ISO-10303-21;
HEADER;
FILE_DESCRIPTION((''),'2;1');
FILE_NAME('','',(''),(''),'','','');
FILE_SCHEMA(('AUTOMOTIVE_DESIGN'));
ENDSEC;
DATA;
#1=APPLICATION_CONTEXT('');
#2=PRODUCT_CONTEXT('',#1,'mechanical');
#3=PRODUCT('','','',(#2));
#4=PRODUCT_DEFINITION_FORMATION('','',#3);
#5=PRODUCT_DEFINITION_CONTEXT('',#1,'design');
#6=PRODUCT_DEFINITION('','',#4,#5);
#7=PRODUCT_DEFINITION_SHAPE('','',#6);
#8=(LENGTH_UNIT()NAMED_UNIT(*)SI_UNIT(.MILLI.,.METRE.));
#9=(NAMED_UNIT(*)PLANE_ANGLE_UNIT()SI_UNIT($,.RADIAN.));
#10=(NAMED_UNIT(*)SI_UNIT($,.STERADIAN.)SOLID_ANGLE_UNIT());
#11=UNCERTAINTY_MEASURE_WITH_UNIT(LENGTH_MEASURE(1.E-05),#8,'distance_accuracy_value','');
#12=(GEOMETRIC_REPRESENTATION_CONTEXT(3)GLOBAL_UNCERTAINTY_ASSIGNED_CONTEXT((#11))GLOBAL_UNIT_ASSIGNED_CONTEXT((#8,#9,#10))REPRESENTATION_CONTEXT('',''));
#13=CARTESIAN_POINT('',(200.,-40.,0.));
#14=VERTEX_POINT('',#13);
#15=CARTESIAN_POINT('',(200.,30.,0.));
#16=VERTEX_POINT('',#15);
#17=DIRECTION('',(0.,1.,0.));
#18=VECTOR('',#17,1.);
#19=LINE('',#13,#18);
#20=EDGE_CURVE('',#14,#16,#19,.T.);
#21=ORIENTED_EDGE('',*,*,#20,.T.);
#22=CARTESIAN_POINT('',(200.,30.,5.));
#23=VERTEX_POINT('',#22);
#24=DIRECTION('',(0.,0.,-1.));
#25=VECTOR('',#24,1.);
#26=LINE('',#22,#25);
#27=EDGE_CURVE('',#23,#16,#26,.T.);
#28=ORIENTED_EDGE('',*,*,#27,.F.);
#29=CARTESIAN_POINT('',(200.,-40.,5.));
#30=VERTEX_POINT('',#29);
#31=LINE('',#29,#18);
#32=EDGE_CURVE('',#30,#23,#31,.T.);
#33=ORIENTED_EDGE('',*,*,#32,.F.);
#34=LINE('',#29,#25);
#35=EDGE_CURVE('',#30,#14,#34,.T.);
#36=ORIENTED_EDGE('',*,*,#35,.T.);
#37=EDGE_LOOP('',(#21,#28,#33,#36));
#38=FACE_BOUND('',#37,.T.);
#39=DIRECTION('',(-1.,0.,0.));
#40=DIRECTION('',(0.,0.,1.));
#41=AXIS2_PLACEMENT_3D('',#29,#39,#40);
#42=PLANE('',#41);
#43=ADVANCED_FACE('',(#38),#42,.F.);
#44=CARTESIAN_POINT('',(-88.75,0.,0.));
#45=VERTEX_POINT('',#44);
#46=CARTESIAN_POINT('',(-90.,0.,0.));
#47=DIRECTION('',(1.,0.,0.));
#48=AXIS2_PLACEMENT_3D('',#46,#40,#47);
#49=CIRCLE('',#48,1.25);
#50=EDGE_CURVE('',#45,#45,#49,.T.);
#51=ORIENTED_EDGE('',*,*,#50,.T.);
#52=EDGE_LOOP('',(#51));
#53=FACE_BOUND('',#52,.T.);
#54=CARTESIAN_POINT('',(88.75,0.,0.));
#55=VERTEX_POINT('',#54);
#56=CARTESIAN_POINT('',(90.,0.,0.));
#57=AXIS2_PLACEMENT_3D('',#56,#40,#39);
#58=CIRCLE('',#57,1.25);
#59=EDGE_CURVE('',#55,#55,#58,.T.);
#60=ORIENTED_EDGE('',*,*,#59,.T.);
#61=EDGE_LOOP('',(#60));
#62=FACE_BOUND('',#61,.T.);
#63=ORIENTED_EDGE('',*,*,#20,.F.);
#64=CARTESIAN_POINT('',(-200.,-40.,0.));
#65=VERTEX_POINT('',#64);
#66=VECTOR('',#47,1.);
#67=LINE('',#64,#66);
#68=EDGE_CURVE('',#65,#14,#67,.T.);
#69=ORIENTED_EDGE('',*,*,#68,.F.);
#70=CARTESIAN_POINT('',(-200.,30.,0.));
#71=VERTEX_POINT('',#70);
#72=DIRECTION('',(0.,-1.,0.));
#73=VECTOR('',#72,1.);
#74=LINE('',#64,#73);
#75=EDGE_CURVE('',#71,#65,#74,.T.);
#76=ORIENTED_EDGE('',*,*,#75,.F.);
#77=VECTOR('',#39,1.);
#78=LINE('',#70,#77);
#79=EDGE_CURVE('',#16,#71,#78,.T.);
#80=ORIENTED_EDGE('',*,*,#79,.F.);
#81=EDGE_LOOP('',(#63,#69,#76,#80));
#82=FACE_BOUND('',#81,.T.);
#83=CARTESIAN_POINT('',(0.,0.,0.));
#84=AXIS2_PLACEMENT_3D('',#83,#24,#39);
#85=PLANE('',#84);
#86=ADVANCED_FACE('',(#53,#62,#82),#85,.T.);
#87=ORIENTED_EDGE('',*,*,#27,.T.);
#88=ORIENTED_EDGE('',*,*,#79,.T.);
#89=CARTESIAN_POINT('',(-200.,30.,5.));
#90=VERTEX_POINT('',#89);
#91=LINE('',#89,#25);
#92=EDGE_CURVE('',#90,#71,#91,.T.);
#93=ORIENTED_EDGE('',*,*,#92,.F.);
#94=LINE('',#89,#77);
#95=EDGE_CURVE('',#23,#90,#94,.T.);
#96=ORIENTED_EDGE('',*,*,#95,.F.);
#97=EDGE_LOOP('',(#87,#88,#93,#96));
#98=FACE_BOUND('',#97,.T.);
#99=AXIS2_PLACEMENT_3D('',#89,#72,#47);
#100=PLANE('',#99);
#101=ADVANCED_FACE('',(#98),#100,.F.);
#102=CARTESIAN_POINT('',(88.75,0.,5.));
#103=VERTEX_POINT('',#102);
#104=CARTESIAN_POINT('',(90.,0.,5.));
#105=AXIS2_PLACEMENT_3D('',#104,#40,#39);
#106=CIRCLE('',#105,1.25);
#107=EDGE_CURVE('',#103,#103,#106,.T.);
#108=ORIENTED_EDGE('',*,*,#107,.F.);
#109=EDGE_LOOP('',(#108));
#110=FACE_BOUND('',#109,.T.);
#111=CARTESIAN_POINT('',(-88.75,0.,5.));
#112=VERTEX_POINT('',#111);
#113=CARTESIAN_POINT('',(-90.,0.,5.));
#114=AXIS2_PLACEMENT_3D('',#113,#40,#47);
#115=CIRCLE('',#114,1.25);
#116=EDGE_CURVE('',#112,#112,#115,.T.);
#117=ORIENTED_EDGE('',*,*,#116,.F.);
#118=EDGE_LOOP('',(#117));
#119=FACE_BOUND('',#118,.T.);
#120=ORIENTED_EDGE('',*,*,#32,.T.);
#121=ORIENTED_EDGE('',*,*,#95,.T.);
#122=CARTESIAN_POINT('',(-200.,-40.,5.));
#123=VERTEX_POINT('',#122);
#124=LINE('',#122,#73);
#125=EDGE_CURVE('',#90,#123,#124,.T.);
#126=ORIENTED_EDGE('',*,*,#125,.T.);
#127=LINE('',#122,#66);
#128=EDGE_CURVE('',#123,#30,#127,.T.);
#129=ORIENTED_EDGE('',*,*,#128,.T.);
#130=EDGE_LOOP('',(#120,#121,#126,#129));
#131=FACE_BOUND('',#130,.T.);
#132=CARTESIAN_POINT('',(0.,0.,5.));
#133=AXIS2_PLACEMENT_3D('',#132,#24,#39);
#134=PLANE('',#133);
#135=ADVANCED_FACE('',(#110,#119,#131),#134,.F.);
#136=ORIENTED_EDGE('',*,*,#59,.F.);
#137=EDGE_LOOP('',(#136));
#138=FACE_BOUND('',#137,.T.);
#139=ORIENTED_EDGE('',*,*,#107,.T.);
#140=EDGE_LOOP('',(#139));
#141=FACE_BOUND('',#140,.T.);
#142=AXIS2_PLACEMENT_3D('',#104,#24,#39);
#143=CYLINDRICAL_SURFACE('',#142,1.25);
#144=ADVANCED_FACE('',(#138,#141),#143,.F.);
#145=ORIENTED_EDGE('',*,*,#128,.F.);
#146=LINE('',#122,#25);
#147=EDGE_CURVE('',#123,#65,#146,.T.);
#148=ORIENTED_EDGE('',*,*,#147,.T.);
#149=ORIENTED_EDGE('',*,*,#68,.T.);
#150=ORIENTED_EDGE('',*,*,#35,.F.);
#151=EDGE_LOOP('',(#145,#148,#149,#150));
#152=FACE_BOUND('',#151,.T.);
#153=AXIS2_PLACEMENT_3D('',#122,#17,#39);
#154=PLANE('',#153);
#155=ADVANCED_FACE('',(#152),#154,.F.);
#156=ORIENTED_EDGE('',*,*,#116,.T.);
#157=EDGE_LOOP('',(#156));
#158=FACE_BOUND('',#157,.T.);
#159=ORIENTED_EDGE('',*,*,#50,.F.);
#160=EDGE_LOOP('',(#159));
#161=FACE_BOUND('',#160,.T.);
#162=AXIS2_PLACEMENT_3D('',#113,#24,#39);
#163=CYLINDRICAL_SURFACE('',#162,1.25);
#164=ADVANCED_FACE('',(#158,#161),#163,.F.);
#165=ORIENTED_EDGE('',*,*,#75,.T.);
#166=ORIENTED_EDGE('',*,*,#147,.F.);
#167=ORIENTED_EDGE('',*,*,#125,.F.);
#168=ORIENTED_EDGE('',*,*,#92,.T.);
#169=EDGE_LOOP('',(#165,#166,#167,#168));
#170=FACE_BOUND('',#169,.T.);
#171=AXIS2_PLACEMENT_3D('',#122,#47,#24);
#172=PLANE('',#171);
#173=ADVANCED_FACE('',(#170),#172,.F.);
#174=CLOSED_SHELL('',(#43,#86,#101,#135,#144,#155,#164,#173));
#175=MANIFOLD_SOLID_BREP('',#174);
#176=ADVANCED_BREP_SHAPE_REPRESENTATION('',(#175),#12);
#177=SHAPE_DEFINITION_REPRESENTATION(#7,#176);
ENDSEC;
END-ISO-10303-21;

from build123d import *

# Parameters (mm, degrees)
SKETCH1_W           = 400
SKETCH1_H           = 70
SKETCH1_R           = 1.25
BOSS_EXTRUDE1_DEPTH = 5


with BuildPart() as part:
    # Sketch1 → Boss-Extrude1 (new body)
    with BuildSketch(Plane.XY):
        with Locations((0, -5)):
            Rectangle(SKETCH1_W, SKETCH1_H)
        with Locations((-90, 0)):
            Circle(SKETCH1_R, mode=Mode.SUBTRACT)
        with Locations(Location((90, 0, 0), (0, 0, 180))):
            Circle(SKETCH1_R, mode=Mode.SUBTRACT)
    extrude(amount=BOSS_EXTRUDE1_DEPTH)


solid = part.part
